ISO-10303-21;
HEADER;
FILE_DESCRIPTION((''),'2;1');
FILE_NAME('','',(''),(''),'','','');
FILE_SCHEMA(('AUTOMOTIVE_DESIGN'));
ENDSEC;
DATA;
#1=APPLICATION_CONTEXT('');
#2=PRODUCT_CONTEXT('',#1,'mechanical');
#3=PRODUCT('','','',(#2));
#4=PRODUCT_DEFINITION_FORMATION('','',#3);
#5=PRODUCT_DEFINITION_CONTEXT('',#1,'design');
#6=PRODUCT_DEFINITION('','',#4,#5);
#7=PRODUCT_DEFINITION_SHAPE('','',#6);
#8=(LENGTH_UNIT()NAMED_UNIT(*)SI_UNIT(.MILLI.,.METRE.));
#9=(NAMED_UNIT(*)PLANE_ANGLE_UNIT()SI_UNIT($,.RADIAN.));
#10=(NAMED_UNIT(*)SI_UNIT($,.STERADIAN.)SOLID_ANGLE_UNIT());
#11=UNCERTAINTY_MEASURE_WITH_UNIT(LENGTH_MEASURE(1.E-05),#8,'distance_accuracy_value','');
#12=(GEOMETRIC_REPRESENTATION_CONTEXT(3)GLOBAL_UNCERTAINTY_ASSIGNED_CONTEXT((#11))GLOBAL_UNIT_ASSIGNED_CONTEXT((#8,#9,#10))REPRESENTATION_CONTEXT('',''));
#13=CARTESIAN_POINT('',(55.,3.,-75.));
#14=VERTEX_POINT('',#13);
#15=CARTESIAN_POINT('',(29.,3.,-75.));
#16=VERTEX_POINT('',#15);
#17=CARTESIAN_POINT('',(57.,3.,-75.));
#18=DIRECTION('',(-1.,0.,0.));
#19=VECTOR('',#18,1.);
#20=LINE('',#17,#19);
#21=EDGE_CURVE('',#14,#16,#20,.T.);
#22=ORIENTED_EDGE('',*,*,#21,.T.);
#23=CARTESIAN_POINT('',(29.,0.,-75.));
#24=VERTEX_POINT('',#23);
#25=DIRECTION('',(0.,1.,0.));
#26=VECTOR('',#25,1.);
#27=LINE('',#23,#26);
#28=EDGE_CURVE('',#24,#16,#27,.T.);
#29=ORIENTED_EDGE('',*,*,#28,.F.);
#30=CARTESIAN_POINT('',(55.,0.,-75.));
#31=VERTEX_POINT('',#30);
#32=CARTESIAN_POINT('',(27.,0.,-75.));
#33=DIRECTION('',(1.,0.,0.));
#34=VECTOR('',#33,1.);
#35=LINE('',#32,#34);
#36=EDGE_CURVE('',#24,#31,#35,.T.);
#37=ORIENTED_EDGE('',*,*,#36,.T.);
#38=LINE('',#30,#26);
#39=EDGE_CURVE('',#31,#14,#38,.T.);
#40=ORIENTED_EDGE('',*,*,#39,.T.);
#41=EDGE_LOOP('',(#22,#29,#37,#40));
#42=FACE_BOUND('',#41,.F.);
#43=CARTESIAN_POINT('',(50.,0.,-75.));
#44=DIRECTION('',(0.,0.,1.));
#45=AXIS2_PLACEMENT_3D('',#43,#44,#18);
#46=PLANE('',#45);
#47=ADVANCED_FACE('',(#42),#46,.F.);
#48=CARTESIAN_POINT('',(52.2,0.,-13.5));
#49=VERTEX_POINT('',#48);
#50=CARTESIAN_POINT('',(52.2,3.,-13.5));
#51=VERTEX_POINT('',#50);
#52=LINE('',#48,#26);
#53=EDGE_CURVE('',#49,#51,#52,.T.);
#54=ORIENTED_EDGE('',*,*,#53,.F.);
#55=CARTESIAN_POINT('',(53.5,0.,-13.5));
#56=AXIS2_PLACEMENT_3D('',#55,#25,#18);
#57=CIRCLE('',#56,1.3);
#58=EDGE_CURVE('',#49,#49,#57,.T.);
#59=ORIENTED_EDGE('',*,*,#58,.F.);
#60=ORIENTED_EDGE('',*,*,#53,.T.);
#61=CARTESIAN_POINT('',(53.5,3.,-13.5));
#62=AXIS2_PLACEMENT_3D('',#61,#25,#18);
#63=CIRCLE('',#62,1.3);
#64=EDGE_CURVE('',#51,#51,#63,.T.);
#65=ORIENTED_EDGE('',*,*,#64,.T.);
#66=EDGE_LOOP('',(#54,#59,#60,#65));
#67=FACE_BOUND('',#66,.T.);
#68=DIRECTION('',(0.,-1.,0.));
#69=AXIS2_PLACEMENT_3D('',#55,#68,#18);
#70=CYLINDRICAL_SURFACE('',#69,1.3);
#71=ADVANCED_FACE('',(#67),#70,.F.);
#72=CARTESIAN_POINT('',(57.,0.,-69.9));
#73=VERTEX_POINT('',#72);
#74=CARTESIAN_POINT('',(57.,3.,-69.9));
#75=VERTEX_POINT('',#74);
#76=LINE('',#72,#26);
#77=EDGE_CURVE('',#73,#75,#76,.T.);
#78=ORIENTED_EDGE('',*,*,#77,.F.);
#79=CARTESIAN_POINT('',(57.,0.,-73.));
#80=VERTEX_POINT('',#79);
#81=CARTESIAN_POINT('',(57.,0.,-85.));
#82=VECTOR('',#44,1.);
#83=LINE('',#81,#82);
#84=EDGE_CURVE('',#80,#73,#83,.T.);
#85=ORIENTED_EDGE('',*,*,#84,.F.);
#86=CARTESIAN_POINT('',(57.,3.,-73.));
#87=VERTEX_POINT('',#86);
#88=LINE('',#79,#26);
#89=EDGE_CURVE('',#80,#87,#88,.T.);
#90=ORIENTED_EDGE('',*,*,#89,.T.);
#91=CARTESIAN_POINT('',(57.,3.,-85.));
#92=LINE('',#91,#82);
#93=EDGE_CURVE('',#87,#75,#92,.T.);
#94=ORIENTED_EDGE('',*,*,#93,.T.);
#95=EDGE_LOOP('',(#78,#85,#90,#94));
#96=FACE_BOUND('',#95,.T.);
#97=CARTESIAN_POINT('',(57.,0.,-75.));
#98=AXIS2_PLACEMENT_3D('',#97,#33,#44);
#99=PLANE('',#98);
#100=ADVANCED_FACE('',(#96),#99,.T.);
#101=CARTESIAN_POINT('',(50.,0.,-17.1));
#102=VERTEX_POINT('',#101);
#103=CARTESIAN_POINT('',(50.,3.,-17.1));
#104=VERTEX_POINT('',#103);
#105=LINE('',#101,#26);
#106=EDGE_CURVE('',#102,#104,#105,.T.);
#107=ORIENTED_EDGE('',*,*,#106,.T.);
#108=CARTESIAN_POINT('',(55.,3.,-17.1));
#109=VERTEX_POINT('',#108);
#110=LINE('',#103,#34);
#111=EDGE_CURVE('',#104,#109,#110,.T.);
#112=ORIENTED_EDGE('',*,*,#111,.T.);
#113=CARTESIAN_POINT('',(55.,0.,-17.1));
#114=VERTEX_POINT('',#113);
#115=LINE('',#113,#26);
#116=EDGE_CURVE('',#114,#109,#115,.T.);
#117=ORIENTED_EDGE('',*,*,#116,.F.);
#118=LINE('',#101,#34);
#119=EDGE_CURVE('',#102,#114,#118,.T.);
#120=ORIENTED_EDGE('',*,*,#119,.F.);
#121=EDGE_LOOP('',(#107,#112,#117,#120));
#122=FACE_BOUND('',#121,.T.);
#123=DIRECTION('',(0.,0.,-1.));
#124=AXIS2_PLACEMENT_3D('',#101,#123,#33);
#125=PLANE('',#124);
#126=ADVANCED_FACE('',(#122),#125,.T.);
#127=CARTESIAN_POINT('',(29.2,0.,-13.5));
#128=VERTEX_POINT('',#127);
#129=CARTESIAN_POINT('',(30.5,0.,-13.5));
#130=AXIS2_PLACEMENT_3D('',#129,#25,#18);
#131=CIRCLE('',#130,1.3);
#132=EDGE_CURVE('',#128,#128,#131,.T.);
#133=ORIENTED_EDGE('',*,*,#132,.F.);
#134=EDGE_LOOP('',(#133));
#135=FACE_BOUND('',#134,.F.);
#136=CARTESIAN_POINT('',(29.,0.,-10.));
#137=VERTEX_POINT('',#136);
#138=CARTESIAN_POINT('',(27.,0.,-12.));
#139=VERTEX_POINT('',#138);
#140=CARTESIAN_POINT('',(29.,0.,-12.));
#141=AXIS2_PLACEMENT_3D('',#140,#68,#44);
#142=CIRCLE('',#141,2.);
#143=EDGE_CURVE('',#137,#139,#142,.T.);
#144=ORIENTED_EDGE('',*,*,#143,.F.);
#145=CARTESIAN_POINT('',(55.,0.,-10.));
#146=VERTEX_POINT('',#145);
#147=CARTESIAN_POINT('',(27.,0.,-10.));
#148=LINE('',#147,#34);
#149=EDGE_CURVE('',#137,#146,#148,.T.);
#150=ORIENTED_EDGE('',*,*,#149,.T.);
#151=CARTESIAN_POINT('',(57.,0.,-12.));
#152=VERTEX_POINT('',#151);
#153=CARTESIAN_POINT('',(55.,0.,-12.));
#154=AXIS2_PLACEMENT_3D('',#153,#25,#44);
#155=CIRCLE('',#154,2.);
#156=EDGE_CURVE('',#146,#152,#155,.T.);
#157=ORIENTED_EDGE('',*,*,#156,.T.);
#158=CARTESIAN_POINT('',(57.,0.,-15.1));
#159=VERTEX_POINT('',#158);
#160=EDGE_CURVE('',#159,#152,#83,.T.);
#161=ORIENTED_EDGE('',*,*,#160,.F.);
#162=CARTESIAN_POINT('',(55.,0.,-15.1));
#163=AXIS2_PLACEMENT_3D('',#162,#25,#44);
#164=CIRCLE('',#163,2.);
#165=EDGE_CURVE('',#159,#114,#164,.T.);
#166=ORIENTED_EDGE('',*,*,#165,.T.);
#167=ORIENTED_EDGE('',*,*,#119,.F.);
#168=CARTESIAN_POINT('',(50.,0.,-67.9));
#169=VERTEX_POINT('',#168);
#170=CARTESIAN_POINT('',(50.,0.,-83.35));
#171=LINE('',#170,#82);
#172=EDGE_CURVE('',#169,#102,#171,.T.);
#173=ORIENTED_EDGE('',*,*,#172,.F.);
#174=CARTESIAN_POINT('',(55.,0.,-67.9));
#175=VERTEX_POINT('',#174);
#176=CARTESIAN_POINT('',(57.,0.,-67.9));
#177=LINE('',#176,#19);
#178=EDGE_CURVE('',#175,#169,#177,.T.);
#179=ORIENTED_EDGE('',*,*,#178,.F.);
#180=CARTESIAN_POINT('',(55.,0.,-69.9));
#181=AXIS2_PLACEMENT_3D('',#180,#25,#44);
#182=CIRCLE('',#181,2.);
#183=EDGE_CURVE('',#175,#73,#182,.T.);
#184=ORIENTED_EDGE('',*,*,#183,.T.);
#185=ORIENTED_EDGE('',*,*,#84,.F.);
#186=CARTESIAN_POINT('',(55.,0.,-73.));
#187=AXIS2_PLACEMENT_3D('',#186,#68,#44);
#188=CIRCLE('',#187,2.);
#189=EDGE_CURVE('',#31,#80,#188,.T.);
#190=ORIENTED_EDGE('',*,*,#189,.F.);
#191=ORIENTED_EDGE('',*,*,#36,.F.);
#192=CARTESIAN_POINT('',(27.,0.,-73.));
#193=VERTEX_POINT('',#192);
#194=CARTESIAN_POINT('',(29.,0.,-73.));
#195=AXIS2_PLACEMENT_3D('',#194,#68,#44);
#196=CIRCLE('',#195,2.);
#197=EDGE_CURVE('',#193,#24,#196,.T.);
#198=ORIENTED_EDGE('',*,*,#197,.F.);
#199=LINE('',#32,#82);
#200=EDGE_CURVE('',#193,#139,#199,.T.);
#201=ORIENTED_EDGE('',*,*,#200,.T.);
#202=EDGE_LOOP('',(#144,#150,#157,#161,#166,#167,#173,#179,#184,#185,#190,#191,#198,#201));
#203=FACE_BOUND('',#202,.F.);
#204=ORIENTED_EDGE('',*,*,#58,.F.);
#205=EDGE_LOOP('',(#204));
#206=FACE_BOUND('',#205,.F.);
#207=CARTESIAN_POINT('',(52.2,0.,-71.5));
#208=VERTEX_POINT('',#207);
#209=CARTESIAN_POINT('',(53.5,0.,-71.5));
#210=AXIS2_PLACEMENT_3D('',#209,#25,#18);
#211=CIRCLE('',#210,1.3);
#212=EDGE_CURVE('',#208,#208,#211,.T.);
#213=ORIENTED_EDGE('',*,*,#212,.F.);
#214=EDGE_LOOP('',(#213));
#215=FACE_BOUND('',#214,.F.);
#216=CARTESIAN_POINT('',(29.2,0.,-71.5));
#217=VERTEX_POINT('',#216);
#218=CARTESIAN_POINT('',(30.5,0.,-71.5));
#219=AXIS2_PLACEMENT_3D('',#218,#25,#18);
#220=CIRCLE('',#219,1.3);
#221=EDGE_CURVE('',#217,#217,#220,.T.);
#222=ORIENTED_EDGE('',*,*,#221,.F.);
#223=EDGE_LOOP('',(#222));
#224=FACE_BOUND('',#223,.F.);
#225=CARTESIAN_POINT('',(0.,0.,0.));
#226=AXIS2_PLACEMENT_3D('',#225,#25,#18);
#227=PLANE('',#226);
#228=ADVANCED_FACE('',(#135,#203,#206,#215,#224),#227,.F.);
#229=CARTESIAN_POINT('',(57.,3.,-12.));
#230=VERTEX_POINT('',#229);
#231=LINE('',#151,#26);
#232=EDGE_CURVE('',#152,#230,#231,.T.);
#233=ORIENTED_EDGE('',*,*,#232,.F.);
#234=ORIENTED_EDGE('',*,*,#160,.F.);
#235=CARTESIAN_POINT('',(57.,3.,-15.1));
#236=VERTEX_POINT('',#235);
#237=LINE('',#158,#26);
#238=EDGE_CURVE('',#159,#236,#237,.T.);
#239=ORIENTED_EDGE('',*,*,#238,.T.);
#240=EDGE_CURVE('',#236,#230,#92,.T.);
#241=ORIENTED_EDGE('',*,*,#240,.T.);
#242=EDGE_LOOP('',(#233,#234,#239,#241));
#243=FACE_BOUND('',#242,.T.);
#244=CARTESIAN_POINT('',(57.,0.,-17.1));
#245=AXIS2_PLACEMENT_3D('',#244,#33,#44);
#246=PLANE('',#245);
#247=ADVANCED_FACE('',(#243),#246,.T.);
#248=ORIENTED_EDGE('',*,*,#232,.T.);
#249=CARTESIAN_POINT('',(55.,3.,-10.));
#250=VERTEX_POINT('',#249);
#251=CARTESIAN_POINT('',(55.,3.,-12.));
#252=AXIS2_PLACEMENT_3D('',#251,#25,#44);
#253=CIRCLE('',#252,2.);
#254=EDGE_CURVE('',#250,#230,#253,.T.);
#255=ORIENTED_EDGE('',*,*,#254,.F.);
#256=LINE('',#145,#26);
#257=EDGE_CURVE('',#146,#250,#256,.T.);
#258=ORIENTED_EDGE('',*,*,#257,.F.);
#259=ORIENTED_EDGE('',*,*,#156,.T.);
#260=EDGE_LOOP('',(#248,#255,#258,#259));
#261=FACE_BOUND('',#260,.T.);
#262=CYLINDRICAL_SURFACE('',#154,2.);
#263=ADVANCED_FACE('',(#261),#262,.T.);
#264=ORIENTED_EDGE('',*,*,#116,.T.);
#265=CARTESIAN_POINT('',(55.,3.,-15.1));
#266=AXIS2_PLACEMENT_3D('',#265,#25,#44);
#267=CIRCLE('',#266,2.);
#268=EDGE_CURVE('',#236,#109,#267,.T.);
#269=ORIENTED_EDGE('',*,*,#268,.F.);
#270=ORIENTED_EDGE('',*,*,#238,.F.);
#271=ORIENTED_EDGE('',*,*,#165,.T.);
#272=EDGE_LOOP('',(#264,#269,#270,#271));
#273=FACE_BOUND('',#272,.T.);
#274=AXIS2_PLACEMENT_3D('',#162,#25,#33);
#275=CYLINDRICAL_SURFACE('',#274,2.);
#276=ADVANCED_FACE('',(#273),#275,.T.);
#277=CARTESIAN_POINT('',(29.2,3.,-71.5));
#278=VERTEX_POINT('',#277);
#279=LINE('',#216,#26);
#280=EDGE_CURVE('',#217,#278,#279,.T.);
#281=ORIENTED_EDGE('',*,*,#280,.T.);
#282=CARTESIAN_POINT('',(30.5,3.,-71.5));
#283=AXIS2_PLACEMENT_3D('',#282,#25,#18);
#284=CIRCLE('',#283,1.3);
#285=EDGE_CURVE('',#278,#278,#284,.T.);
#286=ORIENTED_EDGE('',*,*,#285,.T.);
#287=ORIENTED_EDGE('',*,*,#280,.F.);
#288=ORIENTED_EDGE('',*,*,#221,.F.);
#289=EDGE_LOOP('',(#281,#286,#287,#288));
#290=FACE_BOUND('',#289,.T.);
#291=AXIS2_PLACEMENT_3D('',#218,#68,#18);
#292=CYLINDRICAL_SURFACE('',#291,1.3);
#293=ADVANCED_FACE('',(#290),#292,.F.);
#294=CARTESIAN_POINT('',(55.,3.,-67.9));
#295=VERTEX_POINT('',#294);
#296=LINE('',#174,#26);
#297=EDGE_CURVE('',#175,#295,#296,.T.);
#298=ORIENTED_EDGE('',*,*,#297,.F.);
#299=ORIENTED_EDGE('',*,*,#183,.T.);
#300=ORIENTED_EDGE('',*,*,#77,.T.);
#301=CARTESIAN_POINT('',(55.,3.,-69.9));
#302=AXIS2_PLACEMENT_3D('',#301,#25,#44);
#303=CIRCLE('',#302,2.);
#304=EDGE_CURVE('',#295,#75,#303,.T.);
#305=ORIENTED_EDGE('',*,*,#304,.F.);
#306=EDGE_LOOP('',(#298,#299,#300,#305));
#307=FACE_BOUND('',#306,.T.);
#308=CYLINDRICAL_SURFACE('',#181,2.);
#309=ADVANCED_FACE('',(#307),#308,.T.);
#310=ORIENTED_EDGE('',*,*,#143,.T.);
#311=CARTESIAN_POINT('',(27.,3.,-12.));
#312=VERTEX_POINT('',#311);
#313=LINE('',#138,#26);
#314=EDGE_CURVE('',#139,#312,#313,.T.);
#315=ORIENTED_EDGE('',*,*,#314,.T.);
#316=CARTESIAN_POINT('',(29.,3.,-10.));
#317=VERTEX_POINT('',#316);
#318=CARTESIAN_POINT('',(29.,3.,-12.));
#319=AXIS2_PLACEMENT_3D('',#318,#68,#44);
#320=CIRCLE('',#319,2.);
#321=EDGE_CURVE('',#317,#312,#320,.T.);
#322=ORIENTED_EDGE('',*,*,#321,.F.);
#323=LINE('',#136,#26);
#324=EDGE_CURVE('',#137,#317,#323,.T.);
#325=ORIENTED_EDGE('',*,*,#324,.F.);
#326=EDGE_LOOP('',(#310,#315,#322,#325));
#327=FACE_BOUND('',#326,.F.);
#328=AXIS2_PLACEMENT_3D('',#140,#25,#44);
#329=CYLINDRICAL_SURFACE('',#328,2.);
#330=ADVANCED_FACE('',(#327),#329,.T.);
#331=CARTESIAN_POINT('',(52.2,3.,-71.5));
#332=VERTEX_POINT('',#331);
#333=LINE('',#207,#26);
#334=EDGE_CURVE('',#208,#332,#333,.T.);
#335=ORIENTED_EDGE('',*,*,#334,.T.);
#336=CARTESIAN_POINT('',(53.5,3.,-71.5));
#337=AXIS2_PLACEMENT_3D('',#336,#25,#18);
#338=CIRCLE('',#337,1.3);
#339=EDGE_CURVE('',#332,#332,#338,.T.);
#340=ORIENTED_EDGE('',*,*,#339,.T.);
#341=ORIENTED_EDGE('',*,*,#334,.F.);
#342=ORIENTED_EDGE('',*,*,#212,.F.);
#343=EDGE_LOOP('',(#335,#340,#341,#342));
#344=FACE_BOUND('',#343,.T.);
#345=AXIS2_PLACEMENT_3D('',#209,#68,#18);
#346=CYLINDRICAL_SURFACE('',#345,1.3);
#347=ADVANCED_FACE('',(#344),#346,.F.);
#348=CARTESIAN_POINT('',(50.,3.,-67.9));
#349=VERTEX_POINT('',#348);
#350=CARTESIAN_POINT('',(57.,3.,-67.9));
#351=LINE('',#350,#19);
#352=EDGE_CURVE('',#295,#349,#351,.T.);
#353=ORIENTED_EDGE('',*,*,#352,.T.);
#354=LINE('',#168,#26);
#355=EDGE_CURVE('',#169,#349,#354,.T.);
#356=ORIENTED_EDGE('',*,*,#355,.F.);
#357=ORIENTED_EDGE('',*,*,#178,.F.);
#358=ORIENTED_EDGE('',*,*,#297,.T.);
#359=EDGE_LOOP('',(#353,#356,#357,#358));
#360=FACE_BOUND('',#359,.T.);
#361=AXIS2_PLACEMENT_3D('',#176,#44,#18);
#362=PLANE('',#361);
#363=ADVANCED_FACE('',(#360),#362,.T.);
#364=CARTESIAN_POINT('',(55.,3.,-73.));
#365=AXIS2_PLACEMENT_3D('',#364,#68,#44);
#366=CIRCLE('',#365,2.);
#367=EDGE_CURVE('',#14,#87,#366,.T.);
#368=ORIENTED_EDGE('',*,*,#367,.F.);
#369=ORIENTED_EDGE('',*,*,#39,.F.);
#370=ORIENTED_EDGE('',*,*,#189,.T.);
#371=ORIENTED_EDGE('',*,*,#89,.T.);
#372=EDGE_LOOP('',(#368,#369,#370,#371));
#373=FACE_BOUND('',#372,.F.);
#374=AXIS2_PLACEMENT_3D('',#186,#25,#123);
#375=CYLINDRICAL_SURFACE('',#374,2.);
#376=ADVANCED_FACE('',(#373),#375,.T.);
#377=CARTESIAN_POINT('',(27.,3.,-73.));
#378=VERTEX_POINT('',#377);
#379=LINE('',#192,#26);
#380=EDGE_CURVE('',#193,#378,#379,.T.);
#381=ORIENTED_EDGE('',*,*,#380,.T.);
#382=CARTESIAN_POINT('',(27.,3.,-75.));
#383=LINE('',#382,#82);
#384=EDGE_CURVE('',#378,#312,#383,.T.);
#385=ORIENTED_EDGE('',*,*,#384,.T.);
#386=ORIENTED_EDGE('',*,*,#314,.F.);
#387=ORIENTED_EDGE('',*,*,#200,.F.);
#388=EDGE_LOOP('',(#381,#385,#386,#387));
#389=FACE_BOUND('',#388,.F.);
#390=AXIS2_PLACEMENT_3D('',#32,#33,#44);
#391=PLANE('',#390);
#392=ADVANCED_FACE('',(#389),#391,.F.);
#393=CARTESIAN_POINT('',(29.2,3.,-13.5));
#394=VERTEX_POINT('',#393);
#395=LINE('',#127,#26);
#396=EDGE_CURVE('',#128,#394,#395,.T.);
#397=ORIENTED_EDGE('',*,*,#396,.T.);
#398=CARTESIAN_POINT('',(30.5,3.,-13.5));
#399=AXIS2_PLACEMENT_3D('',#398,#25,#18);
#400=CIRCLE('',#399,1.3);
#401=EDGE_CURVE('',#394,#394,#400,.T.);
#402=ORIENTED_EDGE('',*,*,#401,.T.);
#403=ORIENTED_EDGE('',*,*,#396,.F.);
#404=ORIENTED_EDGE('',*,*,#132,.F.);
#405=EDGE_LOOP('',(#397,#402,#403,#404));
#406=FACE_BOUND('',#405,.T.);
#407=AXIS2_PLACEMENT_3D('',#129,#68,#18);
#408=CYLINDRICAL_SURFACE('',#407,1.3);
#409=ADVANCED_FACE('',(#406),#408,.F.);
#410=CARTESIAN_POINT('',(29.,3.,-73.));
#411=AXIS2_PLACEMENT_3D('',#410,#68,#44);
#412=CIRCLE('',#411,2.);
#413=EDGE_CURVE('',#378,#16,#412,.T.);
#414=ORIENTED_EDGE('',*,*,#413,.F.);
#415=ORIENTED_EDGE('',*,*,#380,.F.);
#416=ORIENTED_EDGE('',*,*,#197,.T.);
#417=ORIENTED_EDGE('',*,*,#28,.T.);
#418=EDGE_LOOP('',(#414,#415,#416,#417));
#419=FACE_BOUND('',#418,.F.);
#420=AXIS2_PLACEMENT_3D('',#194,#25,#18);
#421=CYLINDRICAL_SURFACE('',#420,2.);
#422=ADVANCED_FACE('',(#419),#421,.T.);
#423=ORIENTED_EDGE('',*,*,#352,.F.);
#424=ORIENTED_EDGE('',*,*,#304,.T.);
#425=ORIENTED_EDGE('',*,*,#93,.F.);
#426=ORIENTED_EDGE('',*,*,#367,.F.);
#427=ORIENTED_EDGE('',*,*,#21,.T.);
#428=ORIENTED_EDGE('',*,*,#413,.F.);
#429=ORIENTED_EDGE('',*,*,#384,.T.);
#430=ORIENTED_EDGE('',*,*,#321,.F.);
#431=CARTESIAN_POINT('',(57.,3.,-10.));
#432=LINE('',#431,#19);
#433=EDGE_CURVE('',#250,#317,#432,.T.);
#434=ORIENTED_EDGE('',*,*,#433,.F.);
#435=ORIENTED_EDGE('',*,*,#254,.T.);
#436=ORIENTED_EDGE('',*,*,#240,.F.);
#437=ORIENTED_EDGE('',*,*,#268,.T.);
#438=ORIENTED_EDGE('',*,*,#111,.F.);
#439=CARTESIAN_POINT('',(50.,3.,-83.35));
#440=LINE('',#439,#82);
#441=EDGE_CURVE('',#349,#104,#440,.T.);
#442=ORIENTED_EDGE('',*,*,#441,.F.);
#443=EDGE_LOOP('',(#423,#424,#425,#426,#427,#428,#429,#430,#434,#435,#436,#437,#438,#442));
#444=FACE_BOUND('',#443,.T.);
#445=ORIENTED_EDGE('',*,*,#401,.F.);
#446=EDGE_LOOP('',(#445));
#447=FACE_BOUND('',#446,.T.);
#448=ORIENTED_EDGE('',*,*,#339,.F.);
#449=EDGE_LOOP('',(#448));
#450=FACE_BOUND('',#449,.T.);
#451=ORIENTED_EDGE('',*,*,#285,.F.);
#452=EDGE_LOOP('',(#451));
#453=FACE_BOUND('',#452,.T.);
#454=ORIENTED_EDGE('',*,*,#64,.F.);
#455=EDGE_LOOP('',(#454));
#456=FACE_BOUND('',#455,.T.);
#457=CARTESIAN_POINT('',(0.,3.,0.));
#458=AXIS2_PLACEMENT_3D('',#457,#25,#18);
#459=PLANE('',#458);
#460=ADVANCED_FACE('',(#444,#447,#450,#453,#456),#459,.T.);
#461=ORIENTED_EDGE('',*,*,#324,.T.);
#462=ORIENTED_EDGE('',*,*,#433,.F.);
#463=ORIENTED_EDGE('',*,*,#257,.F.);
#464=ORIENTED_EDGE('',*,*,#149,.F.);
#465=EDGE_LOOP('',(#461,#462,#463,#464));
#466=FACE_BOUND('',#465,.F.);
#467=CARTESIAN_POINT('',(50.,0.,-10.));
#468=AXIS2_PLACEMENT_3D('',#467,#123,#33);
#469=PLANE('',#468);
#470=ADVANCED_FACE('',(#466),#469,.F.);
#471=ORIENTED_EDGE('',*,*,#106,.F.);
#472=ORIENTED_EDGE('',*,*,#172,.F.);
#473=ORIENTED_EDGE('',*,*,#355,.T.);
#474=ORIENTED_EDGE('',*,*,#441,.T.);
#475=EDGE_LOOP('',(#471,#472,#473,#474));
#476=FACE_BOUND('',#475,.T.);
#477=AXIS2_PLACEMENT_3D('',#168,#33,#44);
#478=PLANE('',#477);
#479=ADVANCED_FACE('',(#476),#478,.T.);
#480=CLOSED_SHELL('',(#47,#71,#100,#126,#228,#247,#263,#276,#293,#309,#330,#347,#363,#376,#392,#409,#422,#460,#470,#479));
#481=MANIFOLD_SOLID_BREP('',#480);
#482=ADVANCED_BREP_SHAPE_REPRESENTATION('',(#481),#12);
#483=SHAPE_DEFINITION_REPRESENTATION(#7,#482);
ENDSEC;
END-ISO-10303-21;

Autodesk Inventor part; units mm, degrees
ref_plane "YZ Plane" through (0, 0, 0) normal (1, 0, 0) x (0, 1, 0)
ref_plane "XZ Plane" through (0, 0, 0) normal (0, 1, 0) x (-1, 0, 0)
ref_plane "XY Plane" through (0, 0, 0) normal (0, 0, 1) x (1, 0, 0)
sketch "Base" plane through (0, 0, 0) normal (0, 1, 0) x (-1, 0, 0)
  line L0 (0, 0) -> (-117, 0)
  line L1 (-117, 0) -> (-117, -85)
  line L2 (-117, -85) -> (0, -85)
  line L3 (0, -85) -> (0, 0)
  line L4 (-117, -85) -> (-112, -85)
  line L5 (-112, -85) -> (-112, 0)
  line L6 (-112, 0) -> (-117, 0)
  line L7 (-117, 0) -> (-117, -85)
  line L8 (-112, -85) -> (-57, -85)
  line L9 (-57, -85) -> (-57, 0)
  line L10 (-57, 0) -> (-112, 0)
  line L11 (-112, 0) -> (-112, -85)
  line L12 (-57, -75) -> (-27, -75)
  line L13 (-27, -75) -> (-27, -10)
  line L14 (-27, -10) -> (-57, -10)
  line L15 (-57, -10) -> (-57, -75)
  circle A0 centre (-30.5, -71.5) radius 1.3
  circle A1 centre (-53.5, -71.5) radius 1.3
  circle A2 centre (-30.5, -13.5) radius 1.3
  circle A3 centre (-53.5, -13.5) radius 1.3
  line L16 (-27, -85) -> (-27, 0)
  line L17 (0, -83.35) -> (-50, -83.35)
  line L18 (-50, -83.35) -> (-50, -1.65)
  line L19 (-50, -1.65) -> (0, -1.65)
  line L20 (0, -1.65) -> (0, -83.35)
  circle A4 centre (-2.9, -80.45) radius 1.55
  circle A5 centre (-47.1, -80.45) radius 1.55
  circle A6 centre (-47.1, -4.55) radius 1.55
  circle A7 centre (-2.9, -4.55) radius 1.55
  line L21 (-50, -17.1) -> (-57, -17.1)
  line L22 (-57, -17.1) -> (-57, -67.9)
  line L23 (-57, -67.9) -> (-50, -67.9)
  line L24 (-50, -67.9) -> (-50, -17.1)
  line L25 (-50, -17.1) -> (-57, -67.9) construction
  line L26 (-57, -17.1) -> (-50, -67.9) construction
  line L27 (-7.22, -1.65) -> (-42.78, -1.65)
  line L28 (-42.78, -1.65) -> (-42.78, -5.15)
  line L29 (-42.78, -5.15) -> (-7.22, -5.15)
  line L30 (-7.22, -5.15) -> (-7.22, -1.65)
  point P0 (-27, -10)
  point P1 (-53.5, -42.5)
  dimension "d0" = 117
  dimension "d1" = 85
  dimension "d2" = 5
  dimension "d3" = 85
  dimension "d10" = 55
  dimension "d11" = 85
  dimension "d12" = 30
  dimension "d13" = 65
  dimension "d14" = 10
  dimension "d15" = 10
  dimension "d16" = 2.6
  dimension "d17" = 2.6
  dimension "d18" = 2.6
  dimension "d19" = 2.6
  dimension "d20" = 3.5
  dimension "d21" = 3.5
  dimension "d22" = 3.5
  dimension "d23" = 3.5
  dimension "d24" = 3.5
  dimension "d25" = 3.5
  dimension "d26" = 3.5
  dimension "d27" = 3.5
  dimension "d28" = 0
  dimension "d38" = 50
  dimension "d39" = 81.7
  dimension "d40" = 1.65
  dimension "d41" = 1.65
  dimension "d42" = 3.1
  dimension "d43" = 3.1
  dimension "d44" = 3.1
  dimension "d45" = 3.1
  dimension "d46" = 2.9
  dimension "d48" = 2.9
  dimension "d49" = 2.9
  dimension "d50" = 2.9
  dimension "d51" = 2.9
  dimension "d52" = 2.9
  dimension "d53" = 2.9
  dimension "d54" = 50.8
  dimension "d55" = 7
  dimension "d56" = 29
  dimension "d57" = 29
  dimension "d63" = 2.9
  dimension "d64" = 35.56
  dimension "d65" = 3.5
  dimension "d66" = 7.22
  dimension "d67" = 7.22
  dimension "d71" = 44.2
  dimension "d72" = 75.9
extrude "Extrusion4" add sketch "Base" along normal blind 3 contours L14 L18 L21 L9 | L14 L13 L12 L18 | L23 L18 L12 L9
fillet "Fillet6" radius 2 6 edges at (27, 1.5, -10) (57, 1.5, -10) (57, 1.5, -17.1) (57, 1.5, -67.9) (57, 1.5, -75) (27, 1.5, -75)
properties part number "00_BottomPart"
